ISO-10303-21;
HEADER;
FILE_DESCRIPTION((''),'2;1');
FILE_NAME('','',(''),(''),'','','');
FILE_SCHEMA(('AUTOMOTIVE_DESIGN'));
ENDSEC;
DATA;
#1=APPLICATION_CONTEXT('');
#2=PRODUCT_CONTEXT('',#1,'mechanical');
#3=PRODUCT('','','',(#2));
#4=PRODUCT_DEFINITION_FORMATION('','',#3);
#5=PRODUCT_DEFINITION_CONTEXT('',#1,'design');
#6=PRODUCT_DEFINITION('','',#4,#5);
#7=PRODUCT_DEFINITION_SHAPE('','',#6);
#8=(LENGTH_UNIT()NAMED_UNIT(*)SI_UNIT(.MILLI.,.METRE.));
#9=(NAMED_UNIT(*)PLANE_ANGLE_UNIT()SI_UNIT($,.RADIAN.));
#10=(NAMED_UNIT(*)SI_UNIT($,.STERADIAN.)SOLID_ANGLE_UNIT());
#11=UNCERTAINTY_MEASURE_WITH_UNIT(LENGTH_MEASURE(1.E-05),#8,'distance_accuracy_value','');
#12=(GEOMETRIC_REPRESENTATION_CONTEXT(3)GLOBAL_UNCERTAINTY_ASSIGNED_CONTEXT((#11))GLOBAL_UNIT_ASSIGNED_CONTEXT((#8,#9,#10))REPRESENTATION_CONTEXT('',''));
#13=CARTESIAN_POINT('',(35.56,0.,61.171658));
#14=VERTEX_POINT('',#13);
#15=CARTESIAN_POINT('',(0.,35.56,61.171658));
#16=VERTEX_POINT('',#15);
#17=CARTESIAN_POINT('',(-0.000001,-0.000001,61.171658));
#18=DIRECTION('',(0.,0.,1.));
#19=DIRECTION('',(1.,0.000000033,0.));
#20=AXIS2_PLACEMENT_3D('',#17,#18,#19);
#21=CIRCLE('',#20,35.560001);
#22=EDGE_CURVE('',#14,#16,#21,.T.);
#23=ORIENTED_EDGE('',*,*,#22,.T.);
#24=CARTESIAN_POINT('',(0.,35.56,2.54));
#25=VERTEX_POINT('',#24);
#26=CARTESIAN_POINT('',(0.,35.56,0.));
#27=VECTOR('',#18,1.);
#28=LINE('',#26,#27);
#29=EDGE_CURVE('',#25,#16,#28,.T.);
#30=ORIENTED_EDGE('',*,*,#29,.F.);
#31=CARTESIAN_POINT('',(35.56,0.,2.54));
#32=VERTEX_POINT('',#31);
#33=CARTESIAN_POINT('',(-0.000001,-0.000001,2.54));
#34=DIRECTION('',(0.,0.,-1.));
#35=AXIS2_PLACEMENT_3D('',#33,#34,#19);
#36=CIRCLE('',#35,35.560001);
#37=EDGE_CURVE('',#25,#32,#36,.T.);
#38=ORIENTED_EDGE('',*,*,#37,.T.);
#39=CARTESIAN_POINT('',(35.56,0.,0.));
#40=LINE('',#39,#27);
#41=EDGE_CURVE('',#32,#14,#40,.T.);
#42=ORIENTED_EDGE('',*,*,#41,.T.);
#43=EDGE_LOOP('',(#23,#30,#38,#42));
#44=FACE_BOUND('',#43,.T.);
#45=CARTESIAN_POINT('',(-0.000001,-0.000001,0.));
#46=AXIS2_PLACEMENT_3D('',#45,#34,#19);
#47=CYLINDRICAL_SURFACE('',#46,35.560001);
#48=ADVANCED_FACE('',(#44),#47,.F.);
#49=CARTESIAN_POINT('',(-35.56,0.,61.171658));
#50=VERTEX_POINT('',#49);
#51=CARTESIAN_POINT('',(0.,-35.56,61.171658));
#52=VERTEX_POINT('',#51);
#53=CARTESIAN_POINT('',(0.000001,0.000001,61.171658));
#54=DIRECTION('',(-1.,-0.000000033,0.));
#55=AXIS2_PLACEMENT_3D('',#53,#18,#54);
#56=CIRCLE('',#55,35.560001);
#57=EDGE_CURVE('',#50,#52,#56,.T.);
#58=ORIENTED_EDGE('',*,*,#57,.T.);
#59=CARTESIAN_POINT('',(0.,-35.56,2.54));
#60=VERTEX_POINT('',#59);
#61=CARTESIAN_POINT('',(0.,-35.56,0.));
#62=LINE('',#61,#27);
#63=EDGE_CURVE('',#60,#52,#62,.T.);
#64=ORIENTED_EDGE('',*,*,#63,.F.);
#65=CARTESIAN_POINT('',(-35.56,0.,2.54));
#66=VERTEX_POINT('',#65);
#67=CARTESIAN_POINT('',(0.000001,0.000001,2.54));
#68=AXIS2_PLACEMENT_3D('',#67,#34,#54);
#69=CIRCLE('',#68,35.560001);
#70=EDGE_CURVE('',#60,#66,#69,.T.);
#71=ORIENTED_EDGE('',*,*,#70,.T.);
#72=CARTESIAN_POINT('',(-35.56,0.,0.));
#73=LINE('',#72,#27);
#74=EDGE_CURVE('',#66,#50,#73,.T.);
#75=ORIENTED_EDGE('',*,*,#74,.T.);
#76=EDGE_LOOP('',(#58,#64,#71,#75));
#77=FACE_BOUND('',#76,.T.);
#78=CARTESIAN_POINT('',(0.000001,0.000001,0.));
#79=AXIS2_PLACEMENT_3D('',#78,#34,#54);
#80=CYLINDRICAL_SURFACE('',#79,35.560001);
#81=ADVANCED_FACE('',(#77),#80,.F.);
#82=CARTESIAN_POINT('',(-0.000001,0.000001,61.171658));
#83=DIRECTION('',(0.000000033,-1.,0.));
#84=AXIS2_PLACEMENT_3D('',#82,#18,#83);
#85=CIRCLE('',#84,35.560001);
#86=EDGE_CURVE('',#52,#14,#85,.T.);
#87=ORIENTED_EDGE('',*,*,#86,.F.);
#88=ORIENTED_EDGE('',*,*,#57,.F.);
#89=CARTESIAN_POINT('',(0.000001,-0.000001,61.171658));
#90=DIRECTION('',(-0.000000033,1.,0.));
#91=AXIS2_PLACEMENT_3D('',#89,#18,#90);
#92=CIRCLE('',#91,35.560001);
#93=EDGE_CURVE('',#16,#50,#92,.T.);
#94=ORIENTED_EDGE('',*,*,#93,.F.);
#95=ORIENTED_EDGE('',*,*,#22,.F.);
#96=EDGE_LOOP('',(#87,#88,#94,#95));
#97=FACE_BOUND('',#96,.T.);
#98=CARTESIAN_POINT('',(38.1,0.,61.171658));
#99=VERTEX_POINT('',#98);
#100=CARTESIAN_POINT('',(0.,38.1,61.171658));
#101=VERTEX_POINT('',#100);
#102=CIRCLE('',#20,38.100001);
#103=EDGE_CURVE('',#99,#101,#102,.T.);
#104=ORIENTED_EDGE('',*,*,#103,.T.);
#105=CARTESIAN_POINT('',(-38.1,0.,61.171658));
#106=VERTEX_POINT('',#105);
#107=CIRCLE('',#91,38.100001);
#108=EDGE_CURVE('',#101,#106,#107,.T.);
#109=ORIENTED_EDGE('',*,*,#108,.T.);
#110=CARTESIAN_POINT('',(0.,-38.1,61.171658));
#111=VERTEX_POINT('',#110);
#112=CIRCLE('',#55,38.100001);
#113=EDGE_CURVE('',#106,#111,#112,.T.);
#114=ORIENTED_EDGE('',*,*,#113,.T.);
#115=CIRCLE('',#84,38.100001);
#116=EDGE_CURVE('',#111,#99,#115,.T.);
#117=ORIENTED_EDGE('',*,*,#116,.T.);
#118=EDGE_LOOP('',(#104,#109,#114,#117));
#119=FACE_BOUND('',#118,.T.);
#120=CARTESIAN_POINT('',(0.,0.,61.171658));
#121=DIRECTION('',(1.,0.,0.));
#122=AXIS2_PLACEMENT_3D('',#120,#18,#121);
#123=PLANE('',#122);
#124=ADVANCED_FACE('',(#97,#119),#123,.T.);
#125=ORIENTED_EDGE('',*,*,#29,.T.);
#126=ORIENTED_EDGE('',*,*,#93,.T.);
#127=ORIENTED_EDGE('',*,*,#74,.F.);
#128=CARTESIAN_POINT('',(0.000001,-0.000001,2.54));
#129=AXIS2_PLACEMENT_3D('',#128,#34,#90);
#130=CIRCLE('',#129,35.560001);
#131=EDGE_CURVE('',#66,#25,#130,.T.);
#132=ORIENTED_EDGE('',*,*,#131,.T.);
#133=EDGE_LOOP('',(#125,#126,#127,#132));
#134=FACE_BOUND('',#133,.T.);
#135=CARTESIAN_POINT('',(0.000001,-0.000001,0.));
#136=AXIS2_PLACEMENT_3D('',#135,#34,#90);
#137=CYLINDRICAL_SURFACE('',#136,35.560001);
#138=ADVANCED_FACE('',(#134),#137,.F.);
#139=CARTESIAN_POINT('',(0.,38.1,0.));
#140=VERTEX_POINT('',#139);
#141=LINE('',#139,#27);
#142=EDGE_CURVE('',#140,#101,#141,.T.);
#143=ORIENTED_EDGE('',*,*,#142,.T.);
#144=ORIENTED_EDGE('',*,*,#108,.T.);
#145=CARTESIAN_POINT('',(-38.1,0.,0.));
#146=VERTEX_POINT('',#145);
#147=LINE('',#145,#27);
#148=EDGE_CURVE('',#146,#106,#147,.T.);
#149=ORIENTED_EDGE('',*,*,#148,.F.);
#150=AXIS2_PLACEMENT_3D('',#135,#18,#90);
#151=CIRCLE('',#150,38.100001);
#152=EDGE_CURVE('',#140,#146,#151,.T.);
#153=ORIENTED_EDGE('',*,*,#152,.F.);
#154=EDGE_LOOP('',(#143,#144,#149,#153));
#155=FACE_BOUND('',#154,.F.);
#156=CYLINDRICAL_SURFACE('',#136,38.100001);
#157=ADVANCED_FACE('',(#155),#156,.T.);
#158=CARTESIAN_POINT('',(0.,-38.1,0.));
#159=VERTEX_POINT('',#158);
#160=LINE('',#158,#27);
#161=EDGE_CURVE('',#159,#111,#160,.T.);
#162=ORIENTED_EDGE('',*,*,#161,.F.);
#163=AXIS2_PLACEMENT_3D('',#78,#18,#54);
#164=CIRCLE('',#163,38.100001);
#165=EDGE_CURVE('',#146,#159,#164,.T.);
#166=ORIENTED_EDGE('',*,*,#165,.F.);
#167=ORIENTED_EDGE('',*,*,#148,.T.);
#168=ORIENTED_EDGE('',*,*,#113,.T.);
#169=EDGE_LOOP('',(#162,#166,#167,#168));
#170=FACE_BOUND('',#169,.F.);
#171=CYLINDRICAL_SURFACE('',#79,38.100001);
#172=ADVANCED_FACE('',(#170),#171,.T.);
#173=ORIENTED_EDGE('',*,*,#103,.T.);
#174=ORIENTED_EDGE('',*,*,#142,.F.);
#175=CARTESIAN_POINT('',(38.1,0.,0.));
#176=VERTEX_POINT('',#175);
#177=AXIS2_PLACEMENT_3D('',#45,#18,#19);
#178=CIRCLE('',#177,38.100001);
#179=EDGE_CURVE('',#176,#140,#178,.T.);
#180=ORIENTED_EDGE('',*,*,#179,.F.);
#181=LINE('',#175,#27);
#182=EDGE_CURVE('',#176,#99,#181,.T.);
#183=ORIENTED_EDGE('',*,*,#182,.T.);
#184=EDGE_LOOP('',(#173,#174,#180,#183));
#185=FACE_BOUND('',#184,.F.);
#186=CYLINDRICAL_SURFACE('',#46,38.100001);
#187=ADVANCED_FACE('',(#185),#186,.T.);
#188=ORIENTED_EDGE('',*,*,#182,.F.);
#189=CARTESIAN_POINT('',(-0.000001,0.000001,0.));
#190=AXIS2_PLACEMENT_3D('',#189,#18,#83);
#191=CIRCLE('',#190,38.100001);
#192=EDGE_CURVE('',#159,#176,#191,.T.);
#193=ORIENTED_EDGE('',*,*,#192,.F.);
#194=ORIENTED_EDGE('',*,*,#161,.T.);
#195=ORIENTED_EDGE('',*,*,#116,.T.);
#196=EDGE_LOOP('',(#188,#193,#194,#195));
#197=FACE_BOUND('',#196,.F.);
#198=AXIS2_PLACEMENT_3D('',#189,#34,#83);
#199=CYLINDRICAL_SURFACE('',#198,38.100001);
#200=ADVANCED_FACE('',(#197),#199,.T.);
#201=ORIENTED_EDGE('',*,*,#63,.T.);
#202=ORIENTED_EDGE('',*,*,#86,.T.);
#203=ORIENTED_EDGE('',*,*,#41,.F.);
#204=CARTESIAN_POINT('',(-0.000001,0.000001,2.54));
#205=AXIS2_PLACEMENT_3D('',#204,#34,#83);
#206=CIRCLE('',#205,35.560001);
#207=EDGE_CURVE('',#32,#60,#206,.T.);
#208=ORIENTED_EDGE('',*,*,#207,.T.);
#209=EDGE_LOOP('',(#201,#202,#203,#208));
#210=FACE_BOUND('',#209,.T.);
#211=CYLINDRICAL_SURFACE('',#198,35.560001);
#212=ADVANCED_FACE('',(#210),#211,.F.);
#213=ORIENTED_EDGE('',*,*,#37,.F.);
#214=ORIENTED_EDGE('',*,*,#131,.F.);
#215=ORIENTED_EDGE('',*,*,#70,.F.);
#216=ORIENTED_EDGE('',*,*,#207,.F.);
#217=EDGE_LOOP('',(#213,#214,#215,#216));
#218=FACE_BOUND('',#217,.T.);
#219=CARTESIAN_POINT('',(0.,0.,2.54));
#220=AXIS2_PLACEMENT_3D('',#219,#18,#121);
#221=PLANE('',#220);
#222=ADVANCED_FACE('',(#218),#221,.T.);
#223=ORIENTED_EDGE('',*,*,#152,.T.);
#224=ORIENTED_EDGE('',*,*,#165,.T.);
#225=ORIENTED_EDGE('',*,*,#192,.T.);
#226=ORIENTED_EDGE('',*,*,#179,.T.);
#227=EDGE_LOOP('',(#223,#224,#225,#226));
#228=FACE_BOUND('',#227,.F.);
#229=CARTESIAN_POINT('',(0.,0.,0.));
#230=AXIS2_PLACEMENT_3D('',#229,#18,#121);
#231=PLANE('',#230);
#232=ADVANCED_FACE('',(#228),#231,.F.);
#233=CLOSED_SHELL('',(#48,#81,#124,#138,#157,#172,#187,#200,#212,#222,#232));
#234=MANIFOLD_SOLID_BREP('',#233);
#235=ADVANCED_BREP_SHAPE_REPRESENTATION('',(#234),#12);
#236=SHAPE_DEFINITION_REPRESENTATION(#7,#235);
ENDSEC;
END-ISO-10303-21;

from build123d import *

# Parameters (mm, degrees)
F1_DEPTH = 61.171658
F2_T     = -2.54


with BuildPart() as f1:
    # F0 (on Top) → F1 (new body)
    with BuildSketch(Plane.XY):
        with BuildLine():
            ThreePointArc((-38.1, 0), (-26.940768, -26.940768), (0, -38.1))
            ThreePointArc((0, -38.1), (26.940768, -26.940768), (38.1, 0))
            ThreePointArc((38.1, 0), (26.940768, 26.940768), (0, 38.1))
            ThreePointArc((0, 38.1), (-26.940768, 26.940768), (-38.1, 0))
        make_face()
    extrude(amount=F1_DEPTH)

    # F2
    f2_openings = [f1.faces().sort_by_distance(p)[0] for p in [
        (0, 0, 61.171658),
    ]]
    offset(amount=F2_T, openings=f2_openings)


solid = f1.part
